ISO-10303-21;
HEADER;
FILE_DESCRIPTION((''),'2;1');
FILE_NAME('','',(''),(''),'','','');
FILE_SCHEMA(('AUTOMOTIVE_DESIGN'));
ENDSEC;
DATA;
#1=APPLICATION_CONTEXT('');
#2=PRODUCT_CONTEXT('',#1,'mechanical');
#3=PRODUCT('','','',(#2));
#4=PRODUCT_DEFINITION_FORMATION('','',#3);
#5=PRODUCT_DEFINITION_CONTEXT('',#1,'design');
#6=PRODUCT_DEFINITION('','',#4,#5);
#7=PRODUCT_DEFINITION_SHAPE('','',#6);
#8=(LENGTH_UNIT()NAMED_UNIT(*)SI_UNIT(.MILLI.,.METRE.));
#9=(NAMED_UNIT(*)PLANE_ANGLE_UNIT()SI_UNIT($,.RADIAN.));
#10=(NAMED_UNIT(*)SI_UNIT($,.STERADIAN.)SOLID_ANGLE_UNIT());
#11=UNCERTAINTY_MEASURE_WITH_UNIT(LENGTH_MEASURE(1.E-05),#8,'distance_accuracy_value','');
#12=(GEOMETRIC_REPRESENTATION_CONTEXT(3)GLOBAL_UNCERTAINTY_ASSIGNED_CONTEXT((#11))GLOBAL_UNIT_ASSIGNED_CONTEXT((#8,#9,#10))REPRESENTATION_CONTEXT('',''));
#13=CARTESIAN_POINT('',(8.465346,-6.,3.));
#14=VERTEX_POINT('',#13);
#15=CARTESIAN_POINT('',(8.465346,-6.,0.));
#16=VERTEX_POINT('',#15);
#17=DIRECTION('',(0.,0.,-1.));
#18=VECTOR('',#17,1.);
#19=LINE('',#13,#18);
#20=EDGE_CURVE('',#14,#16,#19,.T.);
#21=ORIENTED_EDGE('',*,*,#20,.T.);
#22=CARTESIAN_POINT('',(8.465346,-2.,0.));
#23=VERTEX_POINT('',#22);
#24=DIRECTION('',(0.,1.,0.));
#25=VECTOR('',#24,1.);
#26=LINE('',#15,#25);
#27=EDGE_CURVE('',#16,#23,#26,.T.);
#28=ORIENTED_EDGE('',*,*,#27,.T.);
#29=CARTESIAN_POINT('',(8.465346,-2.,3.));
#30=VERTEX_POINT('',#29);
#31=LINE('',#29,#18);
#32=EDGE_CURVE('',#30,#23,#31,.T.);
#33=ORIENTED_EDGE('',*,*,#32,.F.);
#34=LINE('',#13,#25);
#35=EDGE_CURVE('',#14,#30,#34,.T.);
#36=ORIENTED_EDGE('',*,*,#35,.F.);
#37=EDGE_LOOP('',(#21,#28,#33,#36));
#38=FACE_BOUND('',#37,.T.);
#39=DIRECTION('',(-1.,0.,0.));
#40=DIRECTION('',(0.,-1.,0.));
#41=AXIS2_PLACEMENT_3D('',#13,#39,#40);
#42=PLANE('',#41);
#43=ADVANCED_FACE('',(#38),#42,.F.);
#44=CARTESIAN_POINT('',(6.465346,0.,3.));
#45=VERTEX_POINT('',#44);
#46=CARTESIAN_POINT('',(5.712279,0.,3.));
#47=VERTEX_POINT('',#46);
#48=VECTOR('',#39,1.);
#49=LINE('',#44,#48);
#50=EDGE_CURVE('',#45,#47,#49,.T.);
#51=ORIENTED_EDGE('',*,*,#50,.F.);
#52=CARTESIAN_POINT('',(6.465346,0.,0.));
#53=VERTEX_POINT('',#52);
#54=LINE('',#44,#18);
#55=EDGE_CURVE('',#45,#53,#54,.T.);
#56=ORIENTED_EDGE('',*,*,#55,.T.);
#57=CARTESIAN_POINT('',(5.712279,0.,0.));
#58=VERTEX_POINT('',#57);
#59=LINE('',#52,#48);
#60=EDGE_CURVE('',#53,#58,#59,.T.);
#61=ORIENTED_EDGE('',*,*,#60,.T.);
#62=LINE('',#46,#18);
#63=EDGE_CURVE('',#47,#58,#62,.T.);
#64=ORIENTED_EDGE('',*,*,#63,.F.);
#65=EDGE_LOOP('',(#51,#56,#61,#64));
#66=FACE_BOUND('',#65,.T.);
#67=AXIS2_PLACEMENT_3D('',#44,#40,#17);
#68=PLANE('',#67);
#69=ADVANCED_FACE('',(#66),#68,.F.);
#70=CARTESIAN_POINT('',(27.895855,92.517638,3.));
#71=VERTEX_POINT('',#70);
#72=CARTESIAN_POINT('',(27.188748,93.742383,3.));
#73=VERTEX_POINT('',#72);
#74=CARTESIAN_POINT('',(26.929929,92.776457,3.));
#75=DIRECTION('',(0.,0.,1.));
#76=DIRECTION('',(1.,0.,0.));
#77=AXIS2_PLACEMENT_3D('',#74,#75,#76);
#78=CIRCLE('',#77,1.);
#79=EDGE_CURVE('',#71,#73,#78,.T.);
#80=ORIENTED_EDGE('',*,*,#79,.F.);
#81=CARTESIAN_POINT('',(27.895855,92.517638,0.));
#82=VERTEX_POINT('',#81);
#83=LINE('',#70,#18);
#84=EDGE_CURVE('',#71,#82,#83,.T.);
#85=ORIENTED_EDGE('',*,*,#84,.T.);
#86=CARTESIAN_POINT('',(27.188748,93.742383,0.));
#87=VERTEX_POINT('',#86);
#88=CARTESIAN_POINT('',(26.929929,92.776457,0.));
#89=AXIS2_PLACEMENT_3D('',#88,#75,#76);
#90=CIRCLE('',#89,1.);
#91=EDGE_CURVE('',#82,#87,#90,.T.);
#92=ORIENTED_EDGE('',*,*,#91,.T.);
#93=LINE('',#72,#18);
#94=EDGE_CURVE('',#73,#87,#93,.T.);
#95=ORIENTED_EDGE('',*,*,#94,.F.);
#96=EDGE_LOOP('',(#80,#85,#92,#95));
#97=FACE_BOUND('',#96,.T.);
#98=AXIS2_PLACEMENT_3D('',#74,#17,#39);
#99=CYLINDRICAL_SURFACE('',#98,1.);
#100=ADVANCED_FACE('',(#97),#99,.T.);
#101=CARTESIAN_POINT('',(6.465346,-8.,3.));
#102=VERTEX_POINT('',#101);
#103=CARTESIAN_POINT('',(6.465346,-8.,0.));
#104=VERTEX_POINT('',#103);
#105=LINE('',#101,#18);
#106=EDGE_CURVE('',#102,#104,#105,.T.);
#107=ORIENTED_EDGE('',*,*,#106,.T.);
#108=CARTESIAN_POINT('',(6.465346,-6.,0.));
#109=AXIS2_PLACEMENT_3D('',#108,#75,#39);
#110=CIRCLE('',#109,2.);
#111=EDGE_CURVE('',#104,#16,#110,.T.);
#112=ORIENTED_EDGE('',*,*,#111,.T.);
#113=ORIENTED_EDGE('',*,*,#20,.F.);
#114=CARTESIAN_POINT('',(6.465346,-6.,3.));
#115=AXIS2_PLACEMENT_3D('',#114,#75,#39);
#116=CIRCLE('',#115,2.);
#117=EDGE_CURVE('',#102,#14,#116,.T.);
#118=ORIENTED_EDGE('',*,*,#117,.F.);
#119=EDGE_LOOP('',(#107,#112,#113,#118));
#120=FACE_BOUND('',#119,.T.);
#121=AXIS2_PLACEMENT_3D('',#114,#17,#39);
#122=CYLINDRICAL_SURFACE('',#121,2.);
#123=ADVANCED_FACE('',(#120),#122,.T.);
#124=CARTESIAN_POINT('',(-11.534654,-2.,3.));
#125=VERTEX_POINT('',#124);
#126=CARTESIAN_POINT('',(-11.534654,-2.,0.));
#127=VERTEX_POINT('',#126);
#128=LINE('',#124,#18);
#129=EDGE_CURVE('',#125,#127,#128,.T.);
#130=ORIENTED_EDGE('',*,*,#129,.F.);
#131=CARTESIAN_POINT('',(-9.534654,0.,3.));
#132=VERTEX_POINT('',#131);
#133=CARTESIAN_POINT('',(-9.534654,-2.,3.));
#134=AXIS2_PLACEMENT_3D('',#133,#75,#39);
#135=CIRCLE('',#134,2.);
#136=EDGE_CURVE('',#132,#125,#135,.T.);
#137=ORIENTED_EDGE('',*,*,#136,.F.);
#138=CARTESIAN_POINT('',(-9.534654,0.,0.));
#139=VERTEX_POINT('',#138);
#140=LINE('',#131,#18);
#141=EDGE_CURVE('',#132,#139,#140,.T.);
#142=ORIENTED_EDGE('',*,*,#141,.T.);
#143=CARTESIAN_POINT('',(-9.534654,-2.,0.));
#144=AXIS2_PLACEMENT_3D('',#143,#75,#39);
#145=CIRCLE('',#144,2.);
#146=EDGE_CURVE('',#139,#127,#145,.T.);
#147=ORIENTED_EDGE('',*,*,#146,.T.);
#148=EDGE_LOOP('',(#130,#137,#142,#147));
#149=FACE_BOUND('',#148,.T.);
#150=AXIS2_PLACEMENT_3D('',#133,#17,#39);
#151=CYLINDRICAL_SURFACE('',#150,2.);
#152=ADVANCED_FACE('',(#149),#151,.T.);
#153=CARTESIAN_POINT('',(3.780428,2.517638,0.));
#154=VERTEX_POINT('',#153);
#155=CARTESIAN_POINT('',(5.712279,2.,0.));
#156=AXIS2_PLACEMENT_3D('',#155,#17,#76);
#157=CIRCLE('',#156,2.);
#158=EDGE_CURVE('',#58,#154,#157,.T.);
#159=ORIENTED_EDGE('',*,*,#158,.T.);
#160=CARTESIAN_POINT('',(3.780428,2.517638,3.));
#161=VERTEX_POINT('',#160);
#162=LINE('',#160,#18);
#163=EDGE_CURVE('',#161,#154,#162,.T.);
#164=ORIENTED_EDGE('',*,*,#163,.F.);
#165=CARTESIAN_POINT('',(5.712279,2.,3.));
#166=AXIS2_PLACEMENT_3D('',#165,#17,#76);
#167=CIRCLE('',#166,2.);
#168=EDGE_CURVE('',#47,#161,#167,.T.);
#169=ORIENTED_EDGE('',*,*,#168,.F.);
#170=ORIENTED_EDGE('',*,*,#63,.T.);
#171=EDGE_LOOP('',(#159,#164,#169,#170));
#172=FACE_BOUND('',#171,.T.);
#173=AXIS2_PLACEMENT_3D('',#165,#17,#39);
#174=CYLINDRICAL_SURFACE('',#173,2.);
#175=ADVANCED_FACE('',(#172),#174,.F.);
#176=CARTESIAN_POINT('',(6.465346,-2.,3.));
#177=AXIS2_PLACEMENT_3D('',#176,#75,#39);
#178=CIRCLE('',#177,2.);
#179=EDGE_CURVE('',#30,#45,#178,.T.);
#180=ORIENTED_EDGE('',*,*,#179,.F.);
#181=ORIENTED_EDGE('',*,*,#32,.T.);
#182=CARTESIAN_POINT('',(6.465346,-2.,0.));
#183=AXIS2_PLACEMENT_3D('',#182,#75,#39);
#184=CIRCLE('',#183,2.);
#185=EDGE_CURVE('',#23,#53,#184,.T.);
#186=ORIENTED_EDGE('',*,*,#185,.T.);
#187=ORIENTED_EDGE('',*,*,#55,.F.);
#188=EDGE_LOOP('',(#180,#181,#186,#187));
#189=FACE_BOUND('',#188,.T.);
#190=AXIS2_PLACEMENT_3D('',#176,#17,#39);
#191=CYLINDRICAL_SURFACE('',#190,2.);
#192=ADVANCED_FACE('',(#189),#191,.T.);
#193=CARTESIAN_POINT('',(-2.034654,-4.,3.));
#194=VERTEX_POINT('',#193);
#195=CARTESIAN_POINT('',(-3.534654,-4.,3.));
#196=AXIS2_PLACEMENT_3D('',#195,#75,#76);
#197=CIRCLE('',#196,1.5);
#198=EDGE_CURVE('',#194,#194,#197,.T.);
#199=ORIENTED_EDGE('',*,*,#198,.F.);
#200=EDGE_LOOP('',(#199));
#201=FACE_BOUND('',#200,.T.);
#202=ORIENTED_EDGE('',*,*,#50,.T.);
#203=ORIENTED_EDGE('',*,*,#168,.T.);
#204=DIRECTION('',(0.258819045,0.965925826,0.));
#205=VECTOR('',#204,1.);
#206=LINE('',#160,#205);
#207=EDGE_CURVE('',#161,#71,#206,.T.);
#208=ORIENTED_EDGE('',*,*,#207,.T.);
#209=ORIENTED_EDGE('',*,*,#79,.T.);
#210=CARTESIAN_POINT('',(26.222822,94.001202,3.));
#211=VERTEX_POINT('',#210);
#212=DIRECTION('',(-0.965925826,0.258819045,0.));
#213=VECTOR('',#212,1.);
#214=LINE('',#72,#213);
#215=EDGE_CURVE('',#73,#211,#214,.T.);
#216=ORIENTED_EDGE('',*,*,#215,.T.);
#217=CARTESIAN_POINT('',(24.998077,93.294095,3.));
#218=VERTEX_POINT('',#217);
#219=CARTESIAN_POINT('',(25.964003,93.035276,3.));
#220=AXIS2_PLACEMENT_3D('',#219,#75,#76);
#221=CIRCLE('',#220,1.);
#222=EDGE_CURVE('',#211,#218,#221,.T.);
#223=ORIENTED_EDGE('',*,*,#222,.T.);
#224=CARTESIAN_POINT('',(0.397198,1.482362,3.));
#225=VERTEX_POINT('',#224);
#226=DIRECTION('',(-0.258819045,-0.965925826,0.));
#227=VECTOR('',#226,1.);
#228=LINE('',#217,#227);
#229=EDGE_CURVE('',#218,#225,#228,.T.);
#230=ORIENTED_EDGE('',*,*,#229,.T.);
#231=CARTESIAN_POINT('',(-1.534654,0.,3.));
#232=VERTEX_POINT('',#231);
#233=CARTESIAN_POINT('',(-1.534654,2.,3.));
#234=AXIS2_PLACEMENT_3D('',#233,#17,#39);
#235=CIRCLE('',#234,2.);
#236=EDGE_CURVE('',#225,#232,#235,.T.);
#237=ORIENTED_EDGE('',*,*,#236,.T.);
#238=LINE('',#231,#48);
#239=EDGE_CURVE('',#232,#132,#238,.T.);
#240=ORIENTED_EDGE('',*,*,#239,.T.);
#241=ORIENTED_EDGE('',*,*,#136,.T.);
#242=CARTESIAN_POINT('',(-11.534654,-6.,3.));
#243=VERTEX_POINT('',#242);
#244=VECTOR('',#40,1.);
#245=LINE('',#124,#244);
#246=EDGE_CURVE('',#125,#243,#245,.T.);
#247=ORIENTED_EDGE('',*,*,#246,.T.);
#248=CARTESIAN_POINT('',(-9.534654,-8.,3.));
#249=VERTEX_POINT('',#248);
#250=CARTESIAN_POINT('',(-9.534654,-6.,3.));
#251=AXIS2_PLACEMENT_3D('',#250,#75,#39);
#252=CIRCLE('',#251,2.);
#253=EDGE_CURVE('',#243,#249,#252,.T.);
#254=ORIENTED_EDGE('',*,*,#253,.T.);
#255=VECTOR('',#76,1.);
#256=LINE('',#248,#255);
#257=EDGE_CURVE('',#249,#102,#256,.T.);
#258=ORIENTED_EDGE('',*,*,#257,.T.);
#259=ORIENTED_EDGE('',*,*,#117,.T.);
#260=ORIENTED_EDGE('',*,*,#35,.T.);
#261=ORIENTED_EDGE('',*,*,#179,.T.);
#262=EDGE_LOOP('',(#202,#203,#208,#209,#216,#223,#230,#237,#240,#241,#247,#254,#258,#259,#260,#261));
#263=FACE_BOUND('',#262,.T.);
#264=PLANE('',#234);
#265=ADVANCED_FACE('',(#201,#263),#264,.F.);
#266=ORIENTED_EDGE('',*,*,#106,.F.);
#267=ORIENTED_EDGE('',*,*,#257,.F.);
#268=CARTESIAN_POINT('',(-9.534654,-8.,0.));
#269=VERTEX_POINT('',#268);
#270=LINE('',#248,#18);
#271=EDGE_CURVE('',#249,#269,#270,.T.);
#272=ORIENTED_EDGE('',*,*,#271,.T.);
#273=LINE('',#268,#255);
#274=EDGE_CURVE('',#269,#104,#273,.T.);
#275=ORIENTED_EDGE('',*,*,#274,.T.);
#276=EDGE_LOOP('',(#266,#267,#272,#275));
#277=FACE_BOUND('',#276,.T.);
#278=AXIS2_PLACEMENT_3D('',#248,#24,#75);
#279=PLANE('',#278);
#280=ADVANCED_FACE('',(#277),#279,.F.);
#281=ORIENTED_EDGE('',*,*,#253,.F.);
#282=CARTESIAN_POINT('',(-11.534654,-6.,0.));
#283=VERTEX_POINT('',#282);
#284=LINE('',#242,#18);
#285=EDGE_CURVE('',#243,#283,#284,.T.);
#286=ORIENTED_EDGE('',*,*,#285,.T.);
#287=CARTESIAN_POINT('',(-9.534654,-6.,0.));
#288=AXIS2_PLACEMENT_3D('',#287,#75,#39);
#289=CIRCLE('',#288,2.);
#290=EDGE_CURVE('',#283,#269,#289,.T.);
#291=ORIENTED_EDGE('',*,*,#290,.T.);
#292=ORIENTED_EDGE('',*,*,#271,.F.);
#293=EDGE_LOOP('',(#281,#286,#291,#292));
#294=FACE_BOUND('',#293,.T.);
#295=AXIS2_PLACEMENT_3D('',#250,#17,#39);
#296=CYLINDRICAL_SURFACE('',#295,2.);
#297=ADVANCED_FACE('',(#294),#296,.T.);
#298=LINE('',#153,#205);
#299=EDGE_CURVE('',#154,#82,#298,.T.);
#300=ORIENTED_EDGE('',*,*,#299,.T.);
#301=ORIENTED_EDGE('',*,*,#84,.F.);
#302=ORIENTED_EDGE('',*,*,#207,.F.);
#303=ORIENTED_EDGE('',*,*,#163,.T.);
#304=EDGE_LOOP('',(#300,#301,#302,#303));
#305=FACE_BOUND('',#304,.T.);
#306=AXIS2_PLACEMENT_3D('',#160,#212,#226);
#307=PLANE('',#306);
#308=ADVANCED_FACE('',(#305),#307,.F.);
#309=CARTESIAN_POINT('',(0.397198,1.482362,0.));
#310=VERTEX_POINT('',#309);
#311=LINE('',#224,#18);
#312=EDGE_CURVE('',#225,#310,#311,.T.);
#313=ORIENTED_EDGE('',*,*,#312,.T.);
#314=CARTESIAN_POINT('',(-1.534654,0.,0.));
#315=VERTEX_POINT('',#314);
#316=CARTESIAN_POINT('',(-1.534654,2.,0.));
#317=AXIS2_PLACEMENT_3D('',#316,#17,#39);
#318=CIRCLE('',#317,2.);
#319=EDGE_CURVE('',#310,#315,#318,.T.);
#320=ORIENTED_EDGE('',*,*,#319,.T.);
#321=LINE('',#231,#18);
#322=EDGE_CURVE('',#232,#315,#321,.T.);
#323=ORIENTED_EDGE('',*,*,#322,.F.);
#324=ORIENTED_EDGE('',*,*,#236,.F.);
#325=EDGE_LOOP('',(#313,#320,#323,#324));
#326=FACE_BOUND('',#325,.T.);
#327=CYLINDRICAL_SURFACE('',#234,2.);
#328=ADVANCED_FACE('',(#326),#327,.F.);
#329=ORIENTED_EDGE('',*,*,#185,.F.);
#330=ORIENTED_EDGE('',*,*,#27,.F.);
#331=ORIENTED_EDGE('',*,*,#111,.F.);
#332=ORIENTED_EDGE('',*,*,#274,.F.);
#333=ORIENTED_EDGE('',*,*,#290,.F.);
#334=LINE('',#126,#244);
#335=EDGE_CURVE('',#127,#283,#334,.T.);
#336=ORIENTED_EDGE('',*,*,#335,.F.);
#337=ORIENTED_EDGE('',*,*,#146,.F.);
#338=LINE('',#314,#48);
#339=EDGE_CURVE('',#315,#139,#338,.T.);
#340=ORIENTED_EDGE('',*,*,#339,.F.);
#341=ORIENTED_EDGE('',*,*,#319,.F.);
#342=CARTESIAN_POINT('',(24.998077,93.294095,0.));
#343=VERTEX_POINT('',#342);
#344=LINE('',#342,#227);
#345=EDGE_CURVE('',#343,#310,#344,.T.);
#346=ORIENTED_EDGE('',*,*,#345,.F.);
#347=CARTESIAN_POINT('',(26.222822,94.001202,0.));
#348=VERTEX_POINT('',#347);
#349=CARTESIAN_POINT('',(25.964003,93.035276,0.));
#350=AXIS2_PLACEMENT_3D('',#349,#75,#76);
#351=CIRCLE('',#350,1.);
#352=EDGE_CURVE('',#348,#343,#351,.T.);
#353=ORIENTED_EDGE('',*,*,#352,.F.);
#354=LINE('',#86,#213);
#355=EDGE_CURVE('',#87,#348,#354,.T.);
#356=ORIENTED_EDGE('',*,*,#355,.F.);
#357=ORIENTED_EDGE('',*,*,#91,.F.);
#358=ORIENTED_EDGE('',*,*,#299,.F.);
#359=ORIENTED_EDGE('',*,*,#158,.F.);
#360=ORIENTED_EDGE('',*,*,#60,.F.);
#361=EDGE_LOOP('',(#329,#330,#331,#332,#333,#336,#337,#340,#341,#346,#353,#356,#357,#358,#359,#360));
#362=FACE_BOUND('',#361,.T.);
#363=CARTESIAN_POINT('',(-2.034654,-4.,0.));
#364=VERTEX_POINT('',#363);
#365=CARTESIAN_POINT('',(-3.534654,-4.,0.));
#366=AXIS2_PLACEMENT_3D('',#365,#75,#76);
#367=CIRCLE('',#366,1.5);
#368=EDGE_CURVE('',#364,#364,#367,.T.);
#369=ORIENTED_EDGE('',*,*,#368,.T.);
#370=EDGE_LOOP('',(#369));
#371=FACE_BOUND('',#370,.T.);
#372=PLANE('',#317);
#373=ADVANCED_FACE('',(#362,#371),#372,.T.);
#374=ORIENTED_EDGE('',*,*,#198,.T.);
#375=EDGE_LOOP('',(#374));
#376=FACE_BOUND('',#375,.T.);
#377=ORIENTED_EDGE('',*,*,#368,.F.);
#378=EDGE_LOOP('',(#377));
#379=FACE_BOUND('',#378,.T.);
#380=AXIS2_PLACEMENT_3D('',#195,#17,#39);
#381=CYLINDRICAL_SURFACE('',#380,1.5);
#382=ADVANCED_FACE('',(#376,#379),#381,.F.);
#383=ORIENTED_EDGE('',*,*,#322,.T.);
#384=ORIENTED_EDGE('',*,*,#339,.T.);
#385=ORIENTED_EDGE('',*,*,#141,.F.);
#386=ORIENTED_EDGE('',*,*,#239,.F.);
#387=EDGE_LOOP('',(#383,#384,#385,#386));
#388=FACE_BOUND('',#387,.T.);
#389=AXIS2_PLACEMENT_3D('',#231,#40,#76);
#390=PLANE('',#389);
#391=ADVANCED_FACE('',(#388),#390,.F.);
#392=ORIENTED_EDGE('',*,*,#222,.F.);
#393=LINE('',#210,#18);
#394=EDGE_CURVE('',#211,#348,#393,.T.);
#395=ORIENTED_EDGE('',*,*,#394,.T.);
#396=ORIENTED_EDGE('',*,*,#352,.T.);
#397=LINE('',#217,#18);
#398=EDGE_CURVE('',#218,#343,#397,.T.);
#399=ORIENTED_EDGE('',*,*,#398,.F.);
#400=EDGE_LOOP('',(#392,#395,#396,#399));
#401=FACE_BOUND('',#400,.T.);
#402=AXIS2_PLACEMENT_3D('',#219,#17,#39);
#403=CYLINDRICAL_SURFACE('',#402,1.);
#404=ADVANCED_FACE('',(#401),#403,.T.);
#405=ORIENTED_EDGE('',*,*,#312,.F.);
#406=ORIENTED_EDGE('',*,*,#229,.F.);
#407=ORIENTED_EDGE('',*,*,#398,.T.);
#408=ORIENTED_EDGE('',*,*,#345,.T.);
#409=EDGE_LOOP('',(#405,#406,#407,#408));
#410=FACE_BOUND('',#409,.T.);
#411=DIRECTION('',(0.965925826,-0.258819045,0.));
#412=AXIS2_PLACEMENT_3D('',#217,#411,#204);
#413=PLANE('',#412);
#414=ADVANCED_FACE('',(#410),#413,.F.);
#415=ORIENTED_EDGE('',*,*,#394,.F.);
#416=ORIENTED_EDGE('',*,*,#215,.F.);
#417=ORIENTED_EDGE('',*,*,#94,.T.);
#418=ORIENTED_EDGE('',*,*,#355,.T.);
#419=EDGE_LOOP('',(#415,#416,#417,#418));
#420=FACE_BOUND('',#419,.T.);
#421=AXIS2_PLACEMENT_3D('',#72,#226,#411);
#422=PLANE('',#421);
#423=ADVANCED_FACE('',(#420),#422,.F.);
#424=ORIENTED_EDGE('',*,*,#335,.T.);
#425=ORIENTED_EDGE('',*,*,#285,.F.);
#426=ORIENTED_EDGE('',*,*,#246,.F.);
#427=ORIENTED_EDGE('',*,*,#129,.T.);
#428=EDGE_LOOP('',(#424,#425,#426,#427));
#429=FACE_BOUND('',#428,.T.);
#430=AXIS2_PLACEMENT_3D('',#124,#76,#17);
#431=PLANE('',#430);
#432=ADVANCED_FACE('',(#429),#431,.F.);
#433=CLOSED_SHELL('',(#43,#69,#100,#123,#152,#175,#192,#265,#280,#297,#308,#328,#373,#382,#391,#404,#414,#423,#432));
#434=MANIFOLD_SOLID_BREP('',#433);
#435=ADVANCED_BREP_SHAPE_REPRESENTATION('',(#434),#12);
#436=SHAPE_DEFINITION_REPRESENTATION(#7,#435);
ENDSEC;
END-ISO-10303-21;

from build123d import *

# Parameters (mm, degrees)
SKETCH1_R           = 1.5
BOSS_EXTRUDE1_DEPTH = 3


with BuildPart() as part:
    # Sketch1 → Boss-Extrude1 (new body)
    with BuildSketch(Plane.XY):
        with BuildLine():
            Line((-11.534653976, -2), (-11.534653976, -6))
            ThreePointArc((-11.534653976, -6), (-10.948867538, -7.414213562), (-9.534653976, -8))
            Line((-9.534653976, -8), (6.465346024, -8))
            ThreePointArc((6.465346024, -8), (7.879559586, -7.414213562), (8.465346024, -6))
            Line((8.465346024, -6), (8.465346024, -2))
            ThreePointArc((8.465346024, -2), (7.879559586, -0.585786438), (6.465346024, 0))
            Line((6.465346024, 0), (5.712279287, 0))
            ThreePointArc((5.712279287, 0), (4.125572606, 0.782477142), (3.780427634, 2.51763809))
            Line((3.780427634, 2.51763809), (27.895854953, 92.51763809))
            ThreePointArc((27.895854953, 92.51763809), (27.795954531, 93.276457135), (27.188748172, 93.742382962))
            Line((27.188748172, 93.742382962), (26.222822346, 94.001202007))
            ThreePointArc((26.222822346, 94.001202007), (25.464003301, 93.901301584), (24.998077474, 93.294095226))
            Line((24.998077474, 93.294095226), (0.397197677, 1.48236191))
            ThreePointArc((0.397197677, 1.48236191), (-0.317131118, 0.413293319), (-1.534653976, 0))
            Line((-1.534653976, 0), (-9.534653976, 0))
            ThreePointArc((-9.534653976, 0), (-10.948867538, -0.585786438), (-11.534653976, -2))
        make_face()
        with Locations((-3.534653976, -4)):
            Circle(SKETCH1_R, mode=Mode.SUBTRACT)
    extrude(amount=BOSS_EXTRUDE1_DEPTH)


solid = part.part
